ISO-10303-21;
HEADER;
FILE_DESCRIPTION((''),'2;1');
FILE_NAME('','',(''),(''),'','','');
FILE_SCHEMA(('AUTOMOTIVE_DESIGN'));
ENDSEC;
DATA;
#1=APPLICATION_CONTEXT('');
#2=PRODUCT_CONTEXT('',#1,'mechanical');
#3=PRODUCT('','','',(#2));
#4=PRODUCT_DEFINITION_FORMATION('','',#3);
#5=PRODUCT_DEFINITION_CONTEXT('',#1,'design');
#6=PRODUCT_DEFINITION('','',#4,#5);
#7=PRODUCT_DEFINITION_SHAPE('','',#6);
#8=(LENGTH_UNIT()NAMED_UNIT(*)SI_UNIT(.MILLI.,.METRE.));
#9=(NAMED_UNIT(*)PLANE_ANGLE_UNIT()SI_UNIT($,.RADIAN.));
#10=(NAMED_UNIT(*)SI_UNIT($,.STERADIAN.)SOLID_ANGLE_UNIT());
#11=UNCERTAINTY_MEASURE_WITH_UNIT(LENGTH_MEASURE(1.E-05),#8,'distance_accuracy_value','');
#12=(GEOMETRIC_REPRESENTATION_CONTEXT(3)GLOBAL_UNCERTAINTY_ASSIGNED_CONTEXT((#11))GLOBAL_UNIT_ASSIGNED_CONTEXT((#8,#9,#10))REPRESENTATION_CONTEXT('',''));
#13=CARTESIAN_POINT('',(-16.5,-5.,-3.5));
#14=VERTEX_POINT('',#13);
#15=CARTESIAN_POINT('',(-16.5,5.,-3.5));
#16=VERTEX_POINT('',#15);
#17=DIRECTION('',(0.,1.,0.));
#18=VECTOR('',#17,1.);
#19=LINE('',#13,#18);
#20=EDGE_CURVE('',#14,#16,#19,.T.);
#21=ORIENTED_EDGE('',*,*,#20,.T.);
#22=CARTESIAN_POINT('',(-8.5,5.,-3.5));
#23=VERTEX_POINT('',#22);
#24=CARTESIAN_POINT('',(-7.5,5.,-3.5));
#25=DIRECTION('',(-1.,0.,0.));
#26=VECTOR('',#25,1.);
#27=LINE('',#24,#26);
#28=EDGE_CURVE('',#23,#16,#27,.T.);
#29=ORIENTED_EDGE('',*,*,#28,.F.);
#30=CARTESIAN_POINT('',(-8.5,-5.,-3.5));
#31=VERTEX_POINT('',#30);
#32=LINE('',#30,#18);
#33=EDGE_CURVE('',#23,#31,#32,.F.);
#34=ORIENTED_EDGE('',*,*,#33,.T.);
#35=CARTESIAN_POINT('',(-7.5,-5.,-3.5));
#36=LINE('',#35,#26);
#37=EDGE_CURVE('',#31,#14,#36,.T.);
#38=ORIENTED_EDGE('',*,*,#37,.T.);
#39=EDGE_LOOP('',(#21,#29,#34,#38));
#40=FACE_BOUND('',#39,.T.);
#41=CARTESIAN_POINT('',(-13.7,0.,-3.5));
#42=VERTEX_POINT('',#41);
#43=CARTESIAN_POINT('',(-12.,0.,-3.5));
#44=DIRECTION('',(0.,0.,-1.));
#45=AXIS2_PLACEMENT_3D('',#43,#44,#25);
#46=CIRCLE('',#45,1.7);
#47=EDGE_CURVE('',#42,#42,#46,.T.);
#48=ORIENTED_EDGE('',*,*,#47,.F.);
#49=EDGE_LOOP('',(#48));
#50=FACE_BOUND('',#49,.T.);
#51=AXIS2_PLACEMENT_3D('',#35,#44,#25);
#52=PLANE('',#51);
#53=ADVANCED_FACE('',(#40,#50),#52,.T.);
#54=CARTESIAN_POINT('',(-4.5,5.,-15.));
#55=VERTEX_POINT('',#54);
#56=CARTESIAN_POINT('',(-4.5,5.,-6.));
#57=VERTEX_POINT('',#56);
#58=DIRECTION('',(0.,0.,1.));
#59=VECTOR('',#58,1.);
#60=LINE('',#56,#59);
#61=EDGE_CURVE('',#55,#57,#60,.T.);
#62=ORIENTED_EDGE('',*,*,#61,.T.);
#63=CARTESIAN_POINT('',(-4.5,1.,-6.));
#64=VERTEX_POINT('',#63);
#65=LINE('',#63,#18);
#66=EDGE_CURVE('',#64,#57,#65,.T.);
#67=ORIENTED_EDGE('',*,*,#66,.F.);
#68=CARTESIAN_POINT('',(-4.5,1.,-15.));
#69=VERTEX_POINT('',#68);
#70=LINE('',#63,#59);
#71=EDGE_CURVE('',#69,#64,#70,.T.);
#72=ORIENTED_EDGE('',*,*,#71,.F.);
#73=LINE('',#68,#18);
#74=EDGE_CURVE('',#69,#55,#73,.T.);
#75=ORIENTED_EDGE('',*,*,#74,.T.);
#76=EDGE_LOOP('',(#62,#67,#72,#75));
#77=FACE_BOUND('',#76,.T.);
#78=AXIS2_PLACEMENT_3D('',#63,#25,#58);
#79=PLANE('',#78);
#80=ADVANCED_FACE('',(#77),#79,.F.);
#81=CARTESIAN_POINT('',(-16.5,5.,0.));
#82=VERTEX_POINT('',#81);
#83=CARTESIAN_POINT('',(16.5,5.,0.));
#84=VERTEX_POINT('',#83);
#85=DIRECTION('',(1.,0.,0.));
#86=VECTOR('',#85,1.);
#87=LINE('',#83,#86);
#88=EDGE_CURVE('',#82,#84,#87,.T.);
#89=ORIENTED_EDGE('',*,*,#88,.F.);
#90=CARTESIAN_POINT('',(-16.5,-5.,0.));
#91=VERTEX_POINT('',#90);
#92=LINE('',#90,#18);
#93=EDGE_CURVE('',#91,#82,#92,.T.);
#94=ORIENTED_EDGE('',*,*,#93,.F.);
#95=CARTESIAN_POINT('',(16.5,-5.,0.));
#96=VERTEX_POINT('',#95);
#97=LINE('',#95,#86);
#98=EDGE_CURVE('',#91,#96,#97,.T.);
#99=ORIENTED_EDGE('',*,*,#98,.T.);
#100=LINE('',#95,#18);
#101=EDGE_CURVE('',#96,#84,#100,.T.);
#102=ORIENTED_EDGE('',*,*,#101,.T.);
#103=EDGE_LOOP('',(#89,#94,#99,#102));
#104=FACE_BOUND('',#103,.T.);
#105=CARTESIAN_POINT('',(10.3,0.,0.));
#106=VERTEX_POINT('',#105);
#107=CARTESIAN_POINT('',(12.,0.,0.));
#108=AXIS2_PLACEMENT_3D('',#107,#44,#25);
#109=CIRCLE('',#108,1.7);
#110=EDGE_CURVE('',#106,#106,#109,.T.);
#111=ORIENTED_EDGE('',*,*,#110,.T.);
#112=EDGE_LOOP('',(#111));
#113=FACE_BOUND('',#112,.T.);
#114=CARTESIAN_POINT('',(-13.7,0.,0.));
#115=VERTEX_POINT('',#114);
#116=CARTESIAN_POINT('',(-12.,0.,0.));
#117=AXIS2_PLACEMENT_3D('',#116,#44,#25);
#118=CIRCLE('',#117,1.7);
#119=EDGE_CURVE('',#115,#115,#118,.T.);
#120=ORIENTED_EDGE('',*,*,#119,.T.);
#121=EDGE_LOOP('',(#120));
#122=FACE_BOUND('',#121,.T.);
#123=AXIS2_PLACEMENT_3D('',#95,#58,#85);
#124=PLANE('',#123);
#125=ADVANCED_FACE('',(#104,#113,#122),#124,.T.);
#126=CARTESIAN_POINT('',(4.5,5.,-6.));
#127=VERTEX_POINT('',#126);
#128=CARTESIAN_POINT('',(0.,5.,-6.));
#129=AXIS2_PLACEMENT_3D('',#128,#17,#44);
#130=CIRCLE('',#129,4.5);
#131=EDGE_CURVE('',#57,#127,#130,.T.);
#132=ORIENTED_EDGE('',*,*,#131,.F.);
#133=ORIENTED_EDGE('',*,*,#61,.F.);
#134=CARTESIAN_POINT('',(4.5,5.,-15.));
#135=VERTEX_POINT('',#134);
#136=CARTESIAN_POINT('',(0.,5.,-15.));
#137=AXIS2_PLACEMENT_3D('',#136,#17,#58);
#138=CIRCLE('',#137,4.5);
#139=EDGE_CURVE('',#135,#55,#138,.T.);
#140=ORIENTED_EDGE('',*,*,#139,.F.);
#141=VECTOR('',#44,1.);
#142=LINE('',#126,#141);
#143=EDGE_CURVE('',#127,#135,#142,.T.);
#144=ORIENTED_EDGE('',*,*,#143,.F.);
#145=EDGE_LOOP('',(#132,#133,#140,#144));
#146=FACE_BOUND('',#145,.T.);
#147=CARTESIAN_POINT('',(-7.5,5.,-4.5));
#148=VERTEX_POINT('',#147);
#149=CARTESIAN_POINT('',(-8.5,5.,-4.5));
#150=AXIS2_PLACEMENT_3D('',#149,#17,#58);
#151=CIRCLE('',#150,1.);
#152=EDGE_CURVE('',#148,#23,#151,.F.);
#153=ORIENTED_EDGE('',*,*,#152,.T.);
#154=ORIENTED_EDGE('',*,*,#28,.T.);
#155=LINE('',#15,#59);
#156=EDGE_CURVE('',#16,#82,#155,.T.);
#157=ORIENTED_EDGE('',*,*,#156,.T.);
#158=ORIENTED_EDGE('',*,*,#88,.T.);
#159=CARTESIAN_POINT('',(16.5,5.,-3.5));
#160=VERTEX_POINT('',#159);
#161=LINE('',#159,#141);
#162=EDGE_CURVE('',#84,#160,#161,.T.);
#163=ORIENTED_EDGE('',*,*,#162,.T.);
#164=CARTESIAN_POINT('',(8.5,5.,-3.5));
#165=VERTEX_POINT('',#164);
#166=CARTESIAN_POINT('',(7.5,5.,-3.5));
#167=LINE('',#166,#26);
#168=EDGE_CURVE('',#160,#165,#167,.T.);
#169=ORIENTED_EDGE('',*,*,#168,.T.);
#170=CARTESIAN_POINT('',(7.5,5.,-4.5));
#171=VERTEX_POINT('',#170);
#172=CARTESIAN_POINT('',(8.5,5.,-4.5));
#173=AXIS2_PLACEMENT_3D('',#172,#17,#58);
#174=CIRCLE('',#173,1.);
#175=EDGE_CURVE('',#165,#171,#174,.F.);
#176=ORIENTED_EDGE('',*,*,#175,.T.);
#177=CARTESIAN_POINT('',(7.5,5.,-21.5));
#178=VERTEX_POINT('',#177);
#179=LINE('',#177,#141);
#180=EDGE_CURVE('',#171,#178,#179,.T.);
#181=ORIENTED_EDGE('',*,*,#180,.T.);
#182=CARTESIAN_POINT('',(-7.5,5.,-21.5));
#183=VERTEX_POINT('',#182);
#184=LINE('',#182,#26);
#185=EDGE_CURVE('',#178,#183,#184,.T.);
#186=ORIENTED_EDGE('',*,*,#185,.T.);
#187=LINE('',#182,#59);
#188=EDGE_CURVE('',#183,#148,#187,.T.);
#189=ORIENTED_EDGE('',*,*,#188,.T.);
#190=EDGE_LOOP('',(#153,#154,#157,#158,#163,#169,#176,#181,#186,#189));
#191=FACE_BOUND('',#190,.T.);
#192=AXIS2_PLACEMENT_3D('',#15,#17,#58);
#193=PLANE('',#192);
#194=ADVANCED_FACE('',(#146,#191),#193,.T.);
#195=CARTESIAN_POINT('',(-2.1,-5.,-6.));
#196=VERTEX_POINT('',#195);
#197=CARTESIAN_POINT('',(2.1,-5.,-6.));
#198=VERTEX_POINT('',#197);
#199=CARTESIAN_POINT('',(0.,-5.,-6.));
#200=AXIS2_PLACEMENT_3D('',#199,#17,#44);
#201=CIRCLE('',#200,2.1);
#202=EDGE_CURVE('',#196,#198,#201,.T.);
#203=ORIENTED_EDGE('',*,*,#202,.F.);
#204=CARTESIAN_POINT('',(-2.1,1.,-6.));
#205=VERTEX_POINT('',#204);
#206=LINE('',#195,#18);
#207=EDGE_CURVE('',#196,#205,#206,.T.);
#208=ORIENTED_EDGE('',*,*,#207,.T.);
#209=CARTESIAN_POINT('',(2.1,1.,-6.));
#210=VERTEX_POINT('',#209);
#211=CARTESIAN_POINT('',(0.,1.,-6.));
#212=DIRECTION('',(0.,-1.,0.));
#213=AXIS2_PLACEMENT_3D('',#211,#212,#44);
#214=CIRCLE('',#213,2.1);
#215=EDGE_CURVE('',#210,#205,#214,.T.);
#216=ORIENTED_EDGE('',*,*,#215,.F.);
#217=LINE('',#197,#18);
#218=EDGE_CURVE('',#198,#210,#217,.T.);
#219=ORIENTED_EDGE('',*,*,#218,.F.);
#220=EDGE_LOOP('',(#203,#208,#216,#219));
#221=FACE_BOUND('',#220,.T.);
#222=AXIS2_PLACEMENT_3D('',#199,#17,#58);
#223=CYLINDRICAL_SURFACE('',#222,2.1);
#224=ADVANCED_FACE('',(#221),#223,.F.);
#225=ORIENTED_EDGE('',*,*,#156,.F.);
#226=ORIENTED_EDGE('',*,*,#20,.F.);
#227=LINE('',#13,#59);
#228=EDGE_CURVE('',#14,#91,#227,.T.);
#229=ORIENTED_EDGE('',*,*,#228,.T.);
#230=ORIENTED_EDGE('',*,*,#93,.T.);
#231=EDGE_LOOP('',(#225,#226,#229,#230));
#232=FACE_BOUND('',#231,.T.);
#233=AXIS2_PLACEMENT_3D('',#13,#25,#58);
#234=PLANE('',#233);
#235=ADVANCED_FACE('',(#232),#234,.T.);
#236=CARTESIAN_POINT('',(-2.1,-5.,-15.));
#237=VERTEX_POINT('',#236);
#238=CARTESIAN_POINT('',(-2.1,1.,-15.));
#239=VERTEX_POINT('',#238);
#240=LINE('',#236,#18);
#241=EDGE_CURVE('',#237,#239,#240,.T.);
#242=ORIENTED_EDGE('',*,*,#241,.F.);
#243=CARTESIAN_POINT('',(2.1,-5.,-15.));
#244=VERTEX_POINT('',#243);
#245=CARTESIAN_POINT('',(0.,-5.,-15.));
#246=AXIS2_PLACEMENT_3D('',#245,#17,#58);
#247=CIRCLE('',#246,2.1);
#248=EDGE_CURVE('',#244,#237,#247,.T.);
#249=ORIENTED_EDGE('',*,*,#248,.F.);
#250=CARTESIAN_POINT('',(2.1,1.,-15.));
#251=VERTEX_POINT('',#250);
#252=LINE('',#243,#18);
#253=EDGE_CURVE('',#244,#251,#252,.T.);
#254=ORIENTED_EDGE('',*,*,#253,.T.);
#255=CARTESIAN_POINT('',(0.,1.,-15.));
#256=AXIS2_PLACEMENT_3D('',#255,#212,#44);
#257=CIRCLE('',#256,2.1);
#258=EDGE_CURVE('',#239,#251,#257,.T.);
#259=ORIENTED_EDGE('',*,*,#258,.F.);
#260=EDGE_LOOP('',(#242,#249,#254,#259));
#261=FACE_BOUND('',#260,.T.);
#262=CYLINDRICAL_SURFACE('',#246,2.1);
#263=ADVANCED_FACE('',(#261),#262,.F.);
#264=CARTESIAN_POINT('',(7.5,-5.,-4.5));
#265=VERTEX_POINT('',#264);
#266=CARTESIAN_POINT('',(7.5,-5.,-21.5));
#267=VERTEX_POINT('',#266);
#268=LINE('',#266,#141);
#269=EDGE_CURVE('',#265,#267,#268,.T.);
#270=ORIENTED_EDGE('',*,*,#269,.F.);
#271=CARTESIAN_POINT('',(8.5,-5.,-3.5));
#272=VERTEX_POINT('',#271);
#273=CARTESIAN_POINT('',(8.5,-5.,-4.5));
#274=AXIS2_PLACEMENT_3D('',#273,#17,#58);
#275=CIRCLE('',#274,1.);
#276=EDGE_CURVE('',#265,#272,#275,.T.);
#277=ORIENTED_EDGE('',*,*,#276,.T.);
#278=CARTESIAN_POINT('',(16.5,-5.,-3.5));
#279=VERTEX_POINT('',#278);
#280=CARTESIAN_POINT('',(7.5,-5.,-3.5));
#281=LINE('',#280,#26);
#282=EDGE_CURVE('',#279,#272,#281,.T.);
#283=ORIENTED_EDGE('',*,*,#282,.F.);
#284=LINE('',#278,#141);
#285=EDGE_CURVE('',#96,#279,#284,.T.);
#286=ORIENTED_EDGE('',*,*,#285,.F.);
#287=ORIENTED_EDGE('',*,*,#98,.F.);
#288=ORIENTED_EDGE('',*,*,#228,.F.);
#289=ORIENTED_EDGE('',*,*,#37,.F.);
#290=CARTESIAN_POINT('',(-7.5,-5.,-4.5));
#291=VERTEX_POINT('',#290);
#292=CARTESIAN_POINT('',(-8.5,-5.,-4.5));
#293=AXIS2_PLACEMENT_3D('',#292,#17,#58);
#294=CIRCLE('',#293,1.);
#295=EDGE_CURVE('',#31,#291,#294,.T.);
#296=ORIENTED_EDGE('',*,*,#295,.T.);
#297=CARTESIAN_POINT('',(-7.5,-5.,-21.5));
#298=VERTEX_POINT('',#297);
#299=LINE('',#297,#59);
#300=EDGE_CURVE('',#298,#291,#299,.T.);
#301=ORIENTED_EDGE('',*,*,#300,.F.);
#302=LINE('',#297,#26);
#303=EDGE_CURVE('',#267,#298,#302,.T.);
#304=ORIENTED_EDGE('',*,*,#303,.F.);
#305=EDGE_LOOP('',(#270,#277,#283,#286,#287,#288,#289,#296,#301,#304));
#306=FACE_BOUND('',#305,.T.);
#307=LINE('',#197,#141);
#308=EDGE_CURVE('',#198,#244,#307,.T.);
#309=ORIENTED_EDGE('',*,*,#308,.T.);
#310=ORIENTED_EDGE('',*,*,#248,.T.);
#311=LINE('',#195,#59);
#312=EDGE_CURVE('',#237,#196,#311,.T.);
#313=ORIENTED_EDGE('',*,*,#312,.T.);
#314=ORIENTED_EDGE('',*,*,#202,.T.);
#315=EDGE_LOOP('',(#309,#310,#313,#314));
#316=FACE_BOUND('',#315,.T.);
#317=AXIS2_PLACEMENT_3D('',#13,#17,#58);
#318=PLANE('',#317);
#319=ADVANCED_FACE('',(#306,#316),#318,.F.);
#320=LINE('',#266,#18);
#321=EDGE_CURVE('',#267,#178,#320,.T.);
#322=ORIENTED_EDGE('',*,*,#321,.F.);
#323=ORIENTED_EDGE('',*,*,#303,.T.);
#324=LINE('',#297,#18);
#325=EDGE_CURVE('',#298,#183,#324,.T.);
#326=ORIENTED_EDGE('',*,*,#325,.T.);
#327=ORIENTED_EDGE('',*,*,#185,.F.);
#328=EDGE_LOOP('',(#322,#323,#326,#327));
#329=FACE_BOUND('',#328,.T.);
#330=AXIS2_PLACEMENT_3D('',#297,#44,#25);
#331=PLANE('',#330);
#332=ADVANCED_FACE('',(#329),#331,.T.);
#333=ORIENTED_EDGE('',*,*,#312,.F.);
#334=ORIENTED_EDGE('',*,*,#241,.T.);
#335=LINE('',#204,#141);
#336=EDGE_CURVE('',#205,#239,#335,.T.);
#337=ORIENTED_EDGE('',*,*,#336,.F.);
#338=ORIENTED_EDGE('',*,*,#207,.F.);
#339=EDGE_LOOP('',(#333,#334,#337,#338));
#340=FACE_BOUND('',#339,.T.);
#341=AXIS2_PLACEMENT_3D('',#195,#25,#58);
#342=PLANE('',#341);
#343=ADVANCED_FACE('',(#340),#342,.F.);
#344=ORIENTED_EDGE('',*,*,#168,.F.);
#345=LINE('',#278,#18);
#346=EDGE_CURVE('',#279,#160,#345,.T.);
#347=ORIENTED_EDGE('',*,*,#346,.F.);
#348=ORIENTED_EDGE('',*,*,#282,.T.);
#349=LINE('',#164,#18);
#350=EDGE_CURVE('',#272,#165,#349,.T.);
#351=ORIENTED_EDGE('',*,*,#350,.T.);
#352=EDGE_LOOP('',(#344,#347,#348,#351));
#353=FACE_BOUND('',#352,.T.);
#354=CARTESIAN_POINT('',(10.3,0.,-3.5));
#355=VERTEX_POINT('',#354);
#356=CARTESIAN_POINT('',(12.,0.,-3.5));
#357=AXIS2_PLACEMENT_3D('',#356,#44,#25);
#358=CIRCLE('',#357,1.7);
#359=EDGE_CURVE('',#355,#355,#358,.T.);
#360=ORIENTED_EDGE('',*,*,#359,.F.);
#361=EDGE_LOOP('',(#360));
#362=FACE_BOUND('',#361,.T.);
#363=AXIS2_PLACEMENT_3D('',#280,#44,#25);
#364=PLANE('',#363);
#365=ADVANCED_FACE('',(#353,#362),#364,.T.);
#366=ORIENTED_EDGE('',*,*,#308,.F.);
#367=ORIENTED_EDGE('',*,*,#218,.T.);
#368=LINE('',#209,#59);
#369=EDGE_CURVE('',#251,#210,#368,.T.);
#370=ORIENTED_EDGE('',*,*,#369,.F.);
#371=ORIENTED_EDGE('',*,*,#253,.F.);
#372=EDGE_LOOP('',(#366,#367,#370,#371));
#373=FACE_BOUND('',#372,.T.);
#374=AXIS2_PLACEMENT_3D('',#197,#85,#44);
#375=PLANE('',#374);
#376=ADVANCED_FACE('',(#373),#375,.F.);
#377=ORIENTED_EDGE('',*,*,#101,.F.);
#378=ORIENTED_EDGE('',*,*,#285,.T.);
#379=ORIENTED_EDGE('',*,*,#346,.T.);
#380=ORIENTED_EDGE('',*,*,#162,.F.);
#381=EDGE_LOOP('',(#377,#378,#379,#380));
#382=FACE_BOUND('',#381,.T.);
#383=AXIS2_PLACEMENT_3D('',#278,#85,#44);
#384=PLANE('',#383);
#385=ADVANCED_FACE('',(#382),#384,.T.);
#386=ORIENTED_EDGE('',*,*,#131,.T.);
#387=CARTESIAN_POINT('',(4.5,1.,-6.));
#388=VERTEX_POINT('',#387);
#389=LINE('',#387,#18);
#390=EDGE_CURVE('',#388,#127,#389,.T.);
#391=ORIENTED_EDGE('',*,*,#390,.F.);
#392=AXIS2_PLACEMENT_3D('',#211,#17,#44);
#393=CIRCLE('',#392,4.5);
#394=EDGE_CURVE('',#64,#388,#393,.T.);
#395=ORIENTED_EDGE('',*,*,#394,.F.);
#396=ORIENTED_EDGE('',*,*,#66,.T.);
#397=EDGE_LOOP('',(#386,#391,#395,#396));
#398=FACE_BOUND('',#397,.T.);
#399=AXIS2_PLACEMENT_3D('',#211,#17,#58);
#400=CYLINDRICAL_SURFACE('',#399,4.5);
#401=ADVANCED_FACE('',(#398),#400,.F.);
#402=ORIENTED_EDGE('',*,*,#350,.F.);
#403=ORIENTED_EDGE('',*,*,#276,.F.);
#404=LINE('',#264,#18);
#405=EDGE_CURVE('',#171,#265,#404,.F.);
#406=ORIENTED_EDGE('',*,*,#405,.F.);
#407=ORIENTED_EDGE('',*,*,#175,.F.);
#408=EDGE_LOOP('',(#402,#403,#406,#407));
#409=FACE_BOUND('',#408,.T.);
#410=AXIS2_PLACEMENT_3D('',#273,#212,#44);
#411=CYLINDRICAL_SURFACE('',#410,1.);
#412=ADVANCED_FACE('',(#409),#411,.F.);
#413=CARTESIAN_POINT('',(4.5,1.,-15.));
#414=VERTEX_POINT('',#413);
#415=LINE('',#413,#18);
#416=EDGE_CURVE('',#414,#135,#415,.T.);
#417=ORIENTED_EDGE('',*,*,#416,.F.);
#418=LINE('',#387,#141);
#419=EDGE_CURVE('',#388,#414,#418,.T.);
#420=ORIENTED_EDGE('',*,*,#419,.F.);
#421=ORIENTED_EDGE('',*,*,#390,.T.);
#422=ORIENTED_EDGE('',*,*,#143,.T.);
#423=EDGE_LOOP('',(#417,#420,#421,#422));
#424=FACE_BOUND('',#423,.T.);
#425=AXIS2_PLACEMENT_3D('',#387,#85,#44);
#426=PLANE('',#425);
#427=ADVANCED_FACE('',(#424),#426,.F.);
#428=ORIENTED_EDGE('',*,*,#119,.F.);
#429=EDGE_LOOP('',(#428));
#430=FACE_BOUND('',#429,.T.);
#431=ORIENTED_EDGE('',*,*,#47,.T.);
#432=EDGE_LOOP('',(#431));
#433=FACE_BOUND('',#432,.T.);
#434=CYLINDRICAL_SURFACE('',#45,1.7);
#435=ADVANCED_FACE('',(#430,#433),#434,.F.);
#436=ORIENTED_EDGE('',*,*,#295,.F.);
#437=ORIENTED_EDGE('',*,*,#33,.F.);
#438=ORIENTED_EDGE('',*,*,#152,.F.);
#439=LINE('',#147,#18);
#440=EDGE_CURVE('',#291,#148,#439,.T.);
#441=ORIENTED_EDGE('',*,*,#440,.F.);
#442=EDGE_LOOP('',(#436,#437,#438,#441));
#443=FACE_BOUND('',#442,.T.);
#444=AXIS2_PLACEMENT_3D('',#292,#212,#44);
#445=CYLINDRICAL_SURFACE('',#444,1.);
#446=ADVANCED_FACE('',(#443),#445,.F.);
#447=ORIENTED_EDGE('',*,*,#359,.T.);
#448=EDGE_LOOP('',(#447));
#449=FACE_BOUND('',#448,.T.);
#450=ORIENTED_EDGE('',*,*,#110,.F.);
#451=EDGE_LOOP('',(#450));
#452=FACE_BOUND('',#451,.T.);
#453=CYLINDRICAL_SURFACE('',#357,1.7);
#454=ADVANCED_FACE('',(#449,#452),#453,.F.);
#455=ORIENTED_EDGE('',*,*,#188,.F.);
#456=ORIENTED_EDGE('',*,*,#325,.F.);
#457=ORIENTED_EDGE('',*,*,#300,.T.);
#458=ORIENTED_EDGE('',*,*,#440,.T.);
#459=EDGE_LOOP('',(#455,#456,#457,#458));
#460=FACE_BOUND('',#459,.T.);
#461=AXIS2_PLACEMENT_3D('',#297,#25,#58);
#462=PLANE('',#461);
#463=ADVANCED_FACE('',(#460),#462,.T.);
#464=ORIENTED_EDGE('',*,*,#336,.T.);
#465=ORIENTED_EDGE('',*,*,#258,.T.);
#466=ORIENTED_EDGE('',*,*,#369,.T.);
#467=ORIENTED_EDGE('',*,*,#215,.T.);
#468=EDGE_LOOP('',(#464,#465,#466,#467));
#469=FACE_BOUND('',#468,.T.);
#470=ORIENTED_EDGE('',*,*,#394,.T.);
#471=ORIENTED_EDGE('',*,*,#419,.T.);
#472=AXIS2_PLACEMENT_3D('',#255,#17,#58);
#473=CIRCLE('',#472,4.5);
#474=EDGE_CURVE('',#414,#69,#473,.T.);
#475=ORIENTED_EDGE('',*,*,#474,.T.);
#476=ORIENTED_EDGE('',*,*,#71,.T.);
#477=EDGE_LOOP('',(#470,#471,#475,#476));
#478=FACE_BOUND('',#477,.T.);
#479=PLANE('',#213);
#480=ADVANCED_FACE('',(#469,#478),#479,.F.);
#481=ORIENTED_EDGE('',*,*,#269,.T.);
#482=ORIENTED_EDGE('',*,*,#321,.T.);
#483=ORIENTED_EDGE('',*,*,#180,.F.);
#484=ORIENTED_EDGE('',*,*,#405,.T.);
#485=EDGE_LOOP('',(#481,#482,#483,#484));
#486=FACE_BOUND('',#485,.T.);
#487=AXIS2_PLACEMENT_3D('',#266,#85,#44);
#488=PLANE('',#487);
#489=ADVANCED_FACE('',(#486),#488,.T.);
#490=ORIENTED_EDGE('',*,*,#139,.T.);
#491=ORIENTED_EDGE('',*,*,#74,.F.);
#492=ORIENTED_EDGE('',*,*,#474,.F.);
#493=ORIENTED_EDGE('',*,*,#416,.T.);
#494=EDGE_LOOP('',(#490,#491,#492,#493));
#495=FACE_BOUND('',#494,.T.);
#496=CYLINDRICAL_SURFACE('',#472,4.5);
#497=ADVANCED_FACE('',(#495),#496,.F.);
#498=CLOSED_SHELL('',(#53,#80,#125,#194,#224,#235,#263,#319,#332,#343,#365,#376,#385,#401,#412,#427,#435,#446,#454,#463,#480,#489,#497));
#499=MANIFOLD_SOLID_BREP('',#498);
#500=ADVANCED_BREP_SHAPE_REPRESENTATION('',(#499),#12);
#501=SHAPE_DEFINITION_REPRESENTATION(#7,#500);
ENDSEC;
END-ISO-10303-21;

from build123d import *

# Parameters (mm, degrees)
BOSS_EXTRUDE1_DEPTH  = 5
CUT_EXTRUDE1_DEPTH   = 4
CUT_EXTRUDE2_DEPTH   = 29.887713651
M3_CLEARANCE_HOLE1_D = 3.4
FILLET1_R            = 1


with BuildPart() as part:
    # Sketch1 → Boss-Extrude1 (new, symmetric)
    with BuildSketch(Plane(origin=(0, 0, 0), x_dir=(1, 0, 0), z_dir=(0, 1, 0))):
        Polygon((-7.5, 21.5), (7.5, 21.5), (7.5, 3.5), (16.5, 3.5), (16.5, 0), (-16.5, 0), (-16.5, 3.5), (-7.5, 3.5), align=None)
    extrude(amount=BOSS_EXTRUDE1_DEPTH, both=True)

    # Sketch3 → Cut-Extrude1 (cut)
    with BuildSketch(Plane(origin=(0, 5, 0), x_dir=(1, 0, 0), z_dir=(0, 1, 0))):
        with BuildLine():
            Line((4.5, 6), (4.5, 15))
            ThreePointArc((4.5, 15), (0, 19.5), (-4.5, 15))
            Line((-4.5, 15), (-4.5, 6))
            ThreePointArc((-4.5, 6), (0, 1.5), (4.5, 6))
        make_face()
    extrude(amount=-CUT_EXTRUDE1_DEPTH, mode=Mode.SUBTRACT)

    # Sketch4 → Cut-Extrude2 (cut, through all)
    with BuildSketch(Plane(origin=(0, 5, 0), x_dir=(1, 0, 0), z_dir=(0, 1, 0))):
        with BuildLine():
            Line((2.1, 6), (2.1, 15))
            ThreePointArc((2.1, 15), (0, 17.1), (-2.1, 15))
            Line((-2.1, 15), (-2.1, 6))
            ThreePointArc((-2.1, 6), (0, 3.9), (2.1, 6))
        make_face()
    extrude(amount=-CUT_EXTRUDE2_DEPTH, mode=Mode.SUBTRACT)

    # M3 Clearance Hole1 (through all)
    with Locations(Plane(origin=(0, 0, -3.5), x_dir=(-1, 0, 0), z_dir=(0, 0, -1))):
        with Locations((-12, 0), (12, 0)):
            Hole(M3_CLEARANCE_HOLE1_D / 2)

    # Fillet1
    fillet1_edges = [part.edges().sort_by_distance(p)[0] for p in [
        (-7.5, 0, -3.5),
        (7.5, 0, -3.5),
    ]]
    fillet(fillet1_edges, radius=FILLET1_R)


solid = part.part
